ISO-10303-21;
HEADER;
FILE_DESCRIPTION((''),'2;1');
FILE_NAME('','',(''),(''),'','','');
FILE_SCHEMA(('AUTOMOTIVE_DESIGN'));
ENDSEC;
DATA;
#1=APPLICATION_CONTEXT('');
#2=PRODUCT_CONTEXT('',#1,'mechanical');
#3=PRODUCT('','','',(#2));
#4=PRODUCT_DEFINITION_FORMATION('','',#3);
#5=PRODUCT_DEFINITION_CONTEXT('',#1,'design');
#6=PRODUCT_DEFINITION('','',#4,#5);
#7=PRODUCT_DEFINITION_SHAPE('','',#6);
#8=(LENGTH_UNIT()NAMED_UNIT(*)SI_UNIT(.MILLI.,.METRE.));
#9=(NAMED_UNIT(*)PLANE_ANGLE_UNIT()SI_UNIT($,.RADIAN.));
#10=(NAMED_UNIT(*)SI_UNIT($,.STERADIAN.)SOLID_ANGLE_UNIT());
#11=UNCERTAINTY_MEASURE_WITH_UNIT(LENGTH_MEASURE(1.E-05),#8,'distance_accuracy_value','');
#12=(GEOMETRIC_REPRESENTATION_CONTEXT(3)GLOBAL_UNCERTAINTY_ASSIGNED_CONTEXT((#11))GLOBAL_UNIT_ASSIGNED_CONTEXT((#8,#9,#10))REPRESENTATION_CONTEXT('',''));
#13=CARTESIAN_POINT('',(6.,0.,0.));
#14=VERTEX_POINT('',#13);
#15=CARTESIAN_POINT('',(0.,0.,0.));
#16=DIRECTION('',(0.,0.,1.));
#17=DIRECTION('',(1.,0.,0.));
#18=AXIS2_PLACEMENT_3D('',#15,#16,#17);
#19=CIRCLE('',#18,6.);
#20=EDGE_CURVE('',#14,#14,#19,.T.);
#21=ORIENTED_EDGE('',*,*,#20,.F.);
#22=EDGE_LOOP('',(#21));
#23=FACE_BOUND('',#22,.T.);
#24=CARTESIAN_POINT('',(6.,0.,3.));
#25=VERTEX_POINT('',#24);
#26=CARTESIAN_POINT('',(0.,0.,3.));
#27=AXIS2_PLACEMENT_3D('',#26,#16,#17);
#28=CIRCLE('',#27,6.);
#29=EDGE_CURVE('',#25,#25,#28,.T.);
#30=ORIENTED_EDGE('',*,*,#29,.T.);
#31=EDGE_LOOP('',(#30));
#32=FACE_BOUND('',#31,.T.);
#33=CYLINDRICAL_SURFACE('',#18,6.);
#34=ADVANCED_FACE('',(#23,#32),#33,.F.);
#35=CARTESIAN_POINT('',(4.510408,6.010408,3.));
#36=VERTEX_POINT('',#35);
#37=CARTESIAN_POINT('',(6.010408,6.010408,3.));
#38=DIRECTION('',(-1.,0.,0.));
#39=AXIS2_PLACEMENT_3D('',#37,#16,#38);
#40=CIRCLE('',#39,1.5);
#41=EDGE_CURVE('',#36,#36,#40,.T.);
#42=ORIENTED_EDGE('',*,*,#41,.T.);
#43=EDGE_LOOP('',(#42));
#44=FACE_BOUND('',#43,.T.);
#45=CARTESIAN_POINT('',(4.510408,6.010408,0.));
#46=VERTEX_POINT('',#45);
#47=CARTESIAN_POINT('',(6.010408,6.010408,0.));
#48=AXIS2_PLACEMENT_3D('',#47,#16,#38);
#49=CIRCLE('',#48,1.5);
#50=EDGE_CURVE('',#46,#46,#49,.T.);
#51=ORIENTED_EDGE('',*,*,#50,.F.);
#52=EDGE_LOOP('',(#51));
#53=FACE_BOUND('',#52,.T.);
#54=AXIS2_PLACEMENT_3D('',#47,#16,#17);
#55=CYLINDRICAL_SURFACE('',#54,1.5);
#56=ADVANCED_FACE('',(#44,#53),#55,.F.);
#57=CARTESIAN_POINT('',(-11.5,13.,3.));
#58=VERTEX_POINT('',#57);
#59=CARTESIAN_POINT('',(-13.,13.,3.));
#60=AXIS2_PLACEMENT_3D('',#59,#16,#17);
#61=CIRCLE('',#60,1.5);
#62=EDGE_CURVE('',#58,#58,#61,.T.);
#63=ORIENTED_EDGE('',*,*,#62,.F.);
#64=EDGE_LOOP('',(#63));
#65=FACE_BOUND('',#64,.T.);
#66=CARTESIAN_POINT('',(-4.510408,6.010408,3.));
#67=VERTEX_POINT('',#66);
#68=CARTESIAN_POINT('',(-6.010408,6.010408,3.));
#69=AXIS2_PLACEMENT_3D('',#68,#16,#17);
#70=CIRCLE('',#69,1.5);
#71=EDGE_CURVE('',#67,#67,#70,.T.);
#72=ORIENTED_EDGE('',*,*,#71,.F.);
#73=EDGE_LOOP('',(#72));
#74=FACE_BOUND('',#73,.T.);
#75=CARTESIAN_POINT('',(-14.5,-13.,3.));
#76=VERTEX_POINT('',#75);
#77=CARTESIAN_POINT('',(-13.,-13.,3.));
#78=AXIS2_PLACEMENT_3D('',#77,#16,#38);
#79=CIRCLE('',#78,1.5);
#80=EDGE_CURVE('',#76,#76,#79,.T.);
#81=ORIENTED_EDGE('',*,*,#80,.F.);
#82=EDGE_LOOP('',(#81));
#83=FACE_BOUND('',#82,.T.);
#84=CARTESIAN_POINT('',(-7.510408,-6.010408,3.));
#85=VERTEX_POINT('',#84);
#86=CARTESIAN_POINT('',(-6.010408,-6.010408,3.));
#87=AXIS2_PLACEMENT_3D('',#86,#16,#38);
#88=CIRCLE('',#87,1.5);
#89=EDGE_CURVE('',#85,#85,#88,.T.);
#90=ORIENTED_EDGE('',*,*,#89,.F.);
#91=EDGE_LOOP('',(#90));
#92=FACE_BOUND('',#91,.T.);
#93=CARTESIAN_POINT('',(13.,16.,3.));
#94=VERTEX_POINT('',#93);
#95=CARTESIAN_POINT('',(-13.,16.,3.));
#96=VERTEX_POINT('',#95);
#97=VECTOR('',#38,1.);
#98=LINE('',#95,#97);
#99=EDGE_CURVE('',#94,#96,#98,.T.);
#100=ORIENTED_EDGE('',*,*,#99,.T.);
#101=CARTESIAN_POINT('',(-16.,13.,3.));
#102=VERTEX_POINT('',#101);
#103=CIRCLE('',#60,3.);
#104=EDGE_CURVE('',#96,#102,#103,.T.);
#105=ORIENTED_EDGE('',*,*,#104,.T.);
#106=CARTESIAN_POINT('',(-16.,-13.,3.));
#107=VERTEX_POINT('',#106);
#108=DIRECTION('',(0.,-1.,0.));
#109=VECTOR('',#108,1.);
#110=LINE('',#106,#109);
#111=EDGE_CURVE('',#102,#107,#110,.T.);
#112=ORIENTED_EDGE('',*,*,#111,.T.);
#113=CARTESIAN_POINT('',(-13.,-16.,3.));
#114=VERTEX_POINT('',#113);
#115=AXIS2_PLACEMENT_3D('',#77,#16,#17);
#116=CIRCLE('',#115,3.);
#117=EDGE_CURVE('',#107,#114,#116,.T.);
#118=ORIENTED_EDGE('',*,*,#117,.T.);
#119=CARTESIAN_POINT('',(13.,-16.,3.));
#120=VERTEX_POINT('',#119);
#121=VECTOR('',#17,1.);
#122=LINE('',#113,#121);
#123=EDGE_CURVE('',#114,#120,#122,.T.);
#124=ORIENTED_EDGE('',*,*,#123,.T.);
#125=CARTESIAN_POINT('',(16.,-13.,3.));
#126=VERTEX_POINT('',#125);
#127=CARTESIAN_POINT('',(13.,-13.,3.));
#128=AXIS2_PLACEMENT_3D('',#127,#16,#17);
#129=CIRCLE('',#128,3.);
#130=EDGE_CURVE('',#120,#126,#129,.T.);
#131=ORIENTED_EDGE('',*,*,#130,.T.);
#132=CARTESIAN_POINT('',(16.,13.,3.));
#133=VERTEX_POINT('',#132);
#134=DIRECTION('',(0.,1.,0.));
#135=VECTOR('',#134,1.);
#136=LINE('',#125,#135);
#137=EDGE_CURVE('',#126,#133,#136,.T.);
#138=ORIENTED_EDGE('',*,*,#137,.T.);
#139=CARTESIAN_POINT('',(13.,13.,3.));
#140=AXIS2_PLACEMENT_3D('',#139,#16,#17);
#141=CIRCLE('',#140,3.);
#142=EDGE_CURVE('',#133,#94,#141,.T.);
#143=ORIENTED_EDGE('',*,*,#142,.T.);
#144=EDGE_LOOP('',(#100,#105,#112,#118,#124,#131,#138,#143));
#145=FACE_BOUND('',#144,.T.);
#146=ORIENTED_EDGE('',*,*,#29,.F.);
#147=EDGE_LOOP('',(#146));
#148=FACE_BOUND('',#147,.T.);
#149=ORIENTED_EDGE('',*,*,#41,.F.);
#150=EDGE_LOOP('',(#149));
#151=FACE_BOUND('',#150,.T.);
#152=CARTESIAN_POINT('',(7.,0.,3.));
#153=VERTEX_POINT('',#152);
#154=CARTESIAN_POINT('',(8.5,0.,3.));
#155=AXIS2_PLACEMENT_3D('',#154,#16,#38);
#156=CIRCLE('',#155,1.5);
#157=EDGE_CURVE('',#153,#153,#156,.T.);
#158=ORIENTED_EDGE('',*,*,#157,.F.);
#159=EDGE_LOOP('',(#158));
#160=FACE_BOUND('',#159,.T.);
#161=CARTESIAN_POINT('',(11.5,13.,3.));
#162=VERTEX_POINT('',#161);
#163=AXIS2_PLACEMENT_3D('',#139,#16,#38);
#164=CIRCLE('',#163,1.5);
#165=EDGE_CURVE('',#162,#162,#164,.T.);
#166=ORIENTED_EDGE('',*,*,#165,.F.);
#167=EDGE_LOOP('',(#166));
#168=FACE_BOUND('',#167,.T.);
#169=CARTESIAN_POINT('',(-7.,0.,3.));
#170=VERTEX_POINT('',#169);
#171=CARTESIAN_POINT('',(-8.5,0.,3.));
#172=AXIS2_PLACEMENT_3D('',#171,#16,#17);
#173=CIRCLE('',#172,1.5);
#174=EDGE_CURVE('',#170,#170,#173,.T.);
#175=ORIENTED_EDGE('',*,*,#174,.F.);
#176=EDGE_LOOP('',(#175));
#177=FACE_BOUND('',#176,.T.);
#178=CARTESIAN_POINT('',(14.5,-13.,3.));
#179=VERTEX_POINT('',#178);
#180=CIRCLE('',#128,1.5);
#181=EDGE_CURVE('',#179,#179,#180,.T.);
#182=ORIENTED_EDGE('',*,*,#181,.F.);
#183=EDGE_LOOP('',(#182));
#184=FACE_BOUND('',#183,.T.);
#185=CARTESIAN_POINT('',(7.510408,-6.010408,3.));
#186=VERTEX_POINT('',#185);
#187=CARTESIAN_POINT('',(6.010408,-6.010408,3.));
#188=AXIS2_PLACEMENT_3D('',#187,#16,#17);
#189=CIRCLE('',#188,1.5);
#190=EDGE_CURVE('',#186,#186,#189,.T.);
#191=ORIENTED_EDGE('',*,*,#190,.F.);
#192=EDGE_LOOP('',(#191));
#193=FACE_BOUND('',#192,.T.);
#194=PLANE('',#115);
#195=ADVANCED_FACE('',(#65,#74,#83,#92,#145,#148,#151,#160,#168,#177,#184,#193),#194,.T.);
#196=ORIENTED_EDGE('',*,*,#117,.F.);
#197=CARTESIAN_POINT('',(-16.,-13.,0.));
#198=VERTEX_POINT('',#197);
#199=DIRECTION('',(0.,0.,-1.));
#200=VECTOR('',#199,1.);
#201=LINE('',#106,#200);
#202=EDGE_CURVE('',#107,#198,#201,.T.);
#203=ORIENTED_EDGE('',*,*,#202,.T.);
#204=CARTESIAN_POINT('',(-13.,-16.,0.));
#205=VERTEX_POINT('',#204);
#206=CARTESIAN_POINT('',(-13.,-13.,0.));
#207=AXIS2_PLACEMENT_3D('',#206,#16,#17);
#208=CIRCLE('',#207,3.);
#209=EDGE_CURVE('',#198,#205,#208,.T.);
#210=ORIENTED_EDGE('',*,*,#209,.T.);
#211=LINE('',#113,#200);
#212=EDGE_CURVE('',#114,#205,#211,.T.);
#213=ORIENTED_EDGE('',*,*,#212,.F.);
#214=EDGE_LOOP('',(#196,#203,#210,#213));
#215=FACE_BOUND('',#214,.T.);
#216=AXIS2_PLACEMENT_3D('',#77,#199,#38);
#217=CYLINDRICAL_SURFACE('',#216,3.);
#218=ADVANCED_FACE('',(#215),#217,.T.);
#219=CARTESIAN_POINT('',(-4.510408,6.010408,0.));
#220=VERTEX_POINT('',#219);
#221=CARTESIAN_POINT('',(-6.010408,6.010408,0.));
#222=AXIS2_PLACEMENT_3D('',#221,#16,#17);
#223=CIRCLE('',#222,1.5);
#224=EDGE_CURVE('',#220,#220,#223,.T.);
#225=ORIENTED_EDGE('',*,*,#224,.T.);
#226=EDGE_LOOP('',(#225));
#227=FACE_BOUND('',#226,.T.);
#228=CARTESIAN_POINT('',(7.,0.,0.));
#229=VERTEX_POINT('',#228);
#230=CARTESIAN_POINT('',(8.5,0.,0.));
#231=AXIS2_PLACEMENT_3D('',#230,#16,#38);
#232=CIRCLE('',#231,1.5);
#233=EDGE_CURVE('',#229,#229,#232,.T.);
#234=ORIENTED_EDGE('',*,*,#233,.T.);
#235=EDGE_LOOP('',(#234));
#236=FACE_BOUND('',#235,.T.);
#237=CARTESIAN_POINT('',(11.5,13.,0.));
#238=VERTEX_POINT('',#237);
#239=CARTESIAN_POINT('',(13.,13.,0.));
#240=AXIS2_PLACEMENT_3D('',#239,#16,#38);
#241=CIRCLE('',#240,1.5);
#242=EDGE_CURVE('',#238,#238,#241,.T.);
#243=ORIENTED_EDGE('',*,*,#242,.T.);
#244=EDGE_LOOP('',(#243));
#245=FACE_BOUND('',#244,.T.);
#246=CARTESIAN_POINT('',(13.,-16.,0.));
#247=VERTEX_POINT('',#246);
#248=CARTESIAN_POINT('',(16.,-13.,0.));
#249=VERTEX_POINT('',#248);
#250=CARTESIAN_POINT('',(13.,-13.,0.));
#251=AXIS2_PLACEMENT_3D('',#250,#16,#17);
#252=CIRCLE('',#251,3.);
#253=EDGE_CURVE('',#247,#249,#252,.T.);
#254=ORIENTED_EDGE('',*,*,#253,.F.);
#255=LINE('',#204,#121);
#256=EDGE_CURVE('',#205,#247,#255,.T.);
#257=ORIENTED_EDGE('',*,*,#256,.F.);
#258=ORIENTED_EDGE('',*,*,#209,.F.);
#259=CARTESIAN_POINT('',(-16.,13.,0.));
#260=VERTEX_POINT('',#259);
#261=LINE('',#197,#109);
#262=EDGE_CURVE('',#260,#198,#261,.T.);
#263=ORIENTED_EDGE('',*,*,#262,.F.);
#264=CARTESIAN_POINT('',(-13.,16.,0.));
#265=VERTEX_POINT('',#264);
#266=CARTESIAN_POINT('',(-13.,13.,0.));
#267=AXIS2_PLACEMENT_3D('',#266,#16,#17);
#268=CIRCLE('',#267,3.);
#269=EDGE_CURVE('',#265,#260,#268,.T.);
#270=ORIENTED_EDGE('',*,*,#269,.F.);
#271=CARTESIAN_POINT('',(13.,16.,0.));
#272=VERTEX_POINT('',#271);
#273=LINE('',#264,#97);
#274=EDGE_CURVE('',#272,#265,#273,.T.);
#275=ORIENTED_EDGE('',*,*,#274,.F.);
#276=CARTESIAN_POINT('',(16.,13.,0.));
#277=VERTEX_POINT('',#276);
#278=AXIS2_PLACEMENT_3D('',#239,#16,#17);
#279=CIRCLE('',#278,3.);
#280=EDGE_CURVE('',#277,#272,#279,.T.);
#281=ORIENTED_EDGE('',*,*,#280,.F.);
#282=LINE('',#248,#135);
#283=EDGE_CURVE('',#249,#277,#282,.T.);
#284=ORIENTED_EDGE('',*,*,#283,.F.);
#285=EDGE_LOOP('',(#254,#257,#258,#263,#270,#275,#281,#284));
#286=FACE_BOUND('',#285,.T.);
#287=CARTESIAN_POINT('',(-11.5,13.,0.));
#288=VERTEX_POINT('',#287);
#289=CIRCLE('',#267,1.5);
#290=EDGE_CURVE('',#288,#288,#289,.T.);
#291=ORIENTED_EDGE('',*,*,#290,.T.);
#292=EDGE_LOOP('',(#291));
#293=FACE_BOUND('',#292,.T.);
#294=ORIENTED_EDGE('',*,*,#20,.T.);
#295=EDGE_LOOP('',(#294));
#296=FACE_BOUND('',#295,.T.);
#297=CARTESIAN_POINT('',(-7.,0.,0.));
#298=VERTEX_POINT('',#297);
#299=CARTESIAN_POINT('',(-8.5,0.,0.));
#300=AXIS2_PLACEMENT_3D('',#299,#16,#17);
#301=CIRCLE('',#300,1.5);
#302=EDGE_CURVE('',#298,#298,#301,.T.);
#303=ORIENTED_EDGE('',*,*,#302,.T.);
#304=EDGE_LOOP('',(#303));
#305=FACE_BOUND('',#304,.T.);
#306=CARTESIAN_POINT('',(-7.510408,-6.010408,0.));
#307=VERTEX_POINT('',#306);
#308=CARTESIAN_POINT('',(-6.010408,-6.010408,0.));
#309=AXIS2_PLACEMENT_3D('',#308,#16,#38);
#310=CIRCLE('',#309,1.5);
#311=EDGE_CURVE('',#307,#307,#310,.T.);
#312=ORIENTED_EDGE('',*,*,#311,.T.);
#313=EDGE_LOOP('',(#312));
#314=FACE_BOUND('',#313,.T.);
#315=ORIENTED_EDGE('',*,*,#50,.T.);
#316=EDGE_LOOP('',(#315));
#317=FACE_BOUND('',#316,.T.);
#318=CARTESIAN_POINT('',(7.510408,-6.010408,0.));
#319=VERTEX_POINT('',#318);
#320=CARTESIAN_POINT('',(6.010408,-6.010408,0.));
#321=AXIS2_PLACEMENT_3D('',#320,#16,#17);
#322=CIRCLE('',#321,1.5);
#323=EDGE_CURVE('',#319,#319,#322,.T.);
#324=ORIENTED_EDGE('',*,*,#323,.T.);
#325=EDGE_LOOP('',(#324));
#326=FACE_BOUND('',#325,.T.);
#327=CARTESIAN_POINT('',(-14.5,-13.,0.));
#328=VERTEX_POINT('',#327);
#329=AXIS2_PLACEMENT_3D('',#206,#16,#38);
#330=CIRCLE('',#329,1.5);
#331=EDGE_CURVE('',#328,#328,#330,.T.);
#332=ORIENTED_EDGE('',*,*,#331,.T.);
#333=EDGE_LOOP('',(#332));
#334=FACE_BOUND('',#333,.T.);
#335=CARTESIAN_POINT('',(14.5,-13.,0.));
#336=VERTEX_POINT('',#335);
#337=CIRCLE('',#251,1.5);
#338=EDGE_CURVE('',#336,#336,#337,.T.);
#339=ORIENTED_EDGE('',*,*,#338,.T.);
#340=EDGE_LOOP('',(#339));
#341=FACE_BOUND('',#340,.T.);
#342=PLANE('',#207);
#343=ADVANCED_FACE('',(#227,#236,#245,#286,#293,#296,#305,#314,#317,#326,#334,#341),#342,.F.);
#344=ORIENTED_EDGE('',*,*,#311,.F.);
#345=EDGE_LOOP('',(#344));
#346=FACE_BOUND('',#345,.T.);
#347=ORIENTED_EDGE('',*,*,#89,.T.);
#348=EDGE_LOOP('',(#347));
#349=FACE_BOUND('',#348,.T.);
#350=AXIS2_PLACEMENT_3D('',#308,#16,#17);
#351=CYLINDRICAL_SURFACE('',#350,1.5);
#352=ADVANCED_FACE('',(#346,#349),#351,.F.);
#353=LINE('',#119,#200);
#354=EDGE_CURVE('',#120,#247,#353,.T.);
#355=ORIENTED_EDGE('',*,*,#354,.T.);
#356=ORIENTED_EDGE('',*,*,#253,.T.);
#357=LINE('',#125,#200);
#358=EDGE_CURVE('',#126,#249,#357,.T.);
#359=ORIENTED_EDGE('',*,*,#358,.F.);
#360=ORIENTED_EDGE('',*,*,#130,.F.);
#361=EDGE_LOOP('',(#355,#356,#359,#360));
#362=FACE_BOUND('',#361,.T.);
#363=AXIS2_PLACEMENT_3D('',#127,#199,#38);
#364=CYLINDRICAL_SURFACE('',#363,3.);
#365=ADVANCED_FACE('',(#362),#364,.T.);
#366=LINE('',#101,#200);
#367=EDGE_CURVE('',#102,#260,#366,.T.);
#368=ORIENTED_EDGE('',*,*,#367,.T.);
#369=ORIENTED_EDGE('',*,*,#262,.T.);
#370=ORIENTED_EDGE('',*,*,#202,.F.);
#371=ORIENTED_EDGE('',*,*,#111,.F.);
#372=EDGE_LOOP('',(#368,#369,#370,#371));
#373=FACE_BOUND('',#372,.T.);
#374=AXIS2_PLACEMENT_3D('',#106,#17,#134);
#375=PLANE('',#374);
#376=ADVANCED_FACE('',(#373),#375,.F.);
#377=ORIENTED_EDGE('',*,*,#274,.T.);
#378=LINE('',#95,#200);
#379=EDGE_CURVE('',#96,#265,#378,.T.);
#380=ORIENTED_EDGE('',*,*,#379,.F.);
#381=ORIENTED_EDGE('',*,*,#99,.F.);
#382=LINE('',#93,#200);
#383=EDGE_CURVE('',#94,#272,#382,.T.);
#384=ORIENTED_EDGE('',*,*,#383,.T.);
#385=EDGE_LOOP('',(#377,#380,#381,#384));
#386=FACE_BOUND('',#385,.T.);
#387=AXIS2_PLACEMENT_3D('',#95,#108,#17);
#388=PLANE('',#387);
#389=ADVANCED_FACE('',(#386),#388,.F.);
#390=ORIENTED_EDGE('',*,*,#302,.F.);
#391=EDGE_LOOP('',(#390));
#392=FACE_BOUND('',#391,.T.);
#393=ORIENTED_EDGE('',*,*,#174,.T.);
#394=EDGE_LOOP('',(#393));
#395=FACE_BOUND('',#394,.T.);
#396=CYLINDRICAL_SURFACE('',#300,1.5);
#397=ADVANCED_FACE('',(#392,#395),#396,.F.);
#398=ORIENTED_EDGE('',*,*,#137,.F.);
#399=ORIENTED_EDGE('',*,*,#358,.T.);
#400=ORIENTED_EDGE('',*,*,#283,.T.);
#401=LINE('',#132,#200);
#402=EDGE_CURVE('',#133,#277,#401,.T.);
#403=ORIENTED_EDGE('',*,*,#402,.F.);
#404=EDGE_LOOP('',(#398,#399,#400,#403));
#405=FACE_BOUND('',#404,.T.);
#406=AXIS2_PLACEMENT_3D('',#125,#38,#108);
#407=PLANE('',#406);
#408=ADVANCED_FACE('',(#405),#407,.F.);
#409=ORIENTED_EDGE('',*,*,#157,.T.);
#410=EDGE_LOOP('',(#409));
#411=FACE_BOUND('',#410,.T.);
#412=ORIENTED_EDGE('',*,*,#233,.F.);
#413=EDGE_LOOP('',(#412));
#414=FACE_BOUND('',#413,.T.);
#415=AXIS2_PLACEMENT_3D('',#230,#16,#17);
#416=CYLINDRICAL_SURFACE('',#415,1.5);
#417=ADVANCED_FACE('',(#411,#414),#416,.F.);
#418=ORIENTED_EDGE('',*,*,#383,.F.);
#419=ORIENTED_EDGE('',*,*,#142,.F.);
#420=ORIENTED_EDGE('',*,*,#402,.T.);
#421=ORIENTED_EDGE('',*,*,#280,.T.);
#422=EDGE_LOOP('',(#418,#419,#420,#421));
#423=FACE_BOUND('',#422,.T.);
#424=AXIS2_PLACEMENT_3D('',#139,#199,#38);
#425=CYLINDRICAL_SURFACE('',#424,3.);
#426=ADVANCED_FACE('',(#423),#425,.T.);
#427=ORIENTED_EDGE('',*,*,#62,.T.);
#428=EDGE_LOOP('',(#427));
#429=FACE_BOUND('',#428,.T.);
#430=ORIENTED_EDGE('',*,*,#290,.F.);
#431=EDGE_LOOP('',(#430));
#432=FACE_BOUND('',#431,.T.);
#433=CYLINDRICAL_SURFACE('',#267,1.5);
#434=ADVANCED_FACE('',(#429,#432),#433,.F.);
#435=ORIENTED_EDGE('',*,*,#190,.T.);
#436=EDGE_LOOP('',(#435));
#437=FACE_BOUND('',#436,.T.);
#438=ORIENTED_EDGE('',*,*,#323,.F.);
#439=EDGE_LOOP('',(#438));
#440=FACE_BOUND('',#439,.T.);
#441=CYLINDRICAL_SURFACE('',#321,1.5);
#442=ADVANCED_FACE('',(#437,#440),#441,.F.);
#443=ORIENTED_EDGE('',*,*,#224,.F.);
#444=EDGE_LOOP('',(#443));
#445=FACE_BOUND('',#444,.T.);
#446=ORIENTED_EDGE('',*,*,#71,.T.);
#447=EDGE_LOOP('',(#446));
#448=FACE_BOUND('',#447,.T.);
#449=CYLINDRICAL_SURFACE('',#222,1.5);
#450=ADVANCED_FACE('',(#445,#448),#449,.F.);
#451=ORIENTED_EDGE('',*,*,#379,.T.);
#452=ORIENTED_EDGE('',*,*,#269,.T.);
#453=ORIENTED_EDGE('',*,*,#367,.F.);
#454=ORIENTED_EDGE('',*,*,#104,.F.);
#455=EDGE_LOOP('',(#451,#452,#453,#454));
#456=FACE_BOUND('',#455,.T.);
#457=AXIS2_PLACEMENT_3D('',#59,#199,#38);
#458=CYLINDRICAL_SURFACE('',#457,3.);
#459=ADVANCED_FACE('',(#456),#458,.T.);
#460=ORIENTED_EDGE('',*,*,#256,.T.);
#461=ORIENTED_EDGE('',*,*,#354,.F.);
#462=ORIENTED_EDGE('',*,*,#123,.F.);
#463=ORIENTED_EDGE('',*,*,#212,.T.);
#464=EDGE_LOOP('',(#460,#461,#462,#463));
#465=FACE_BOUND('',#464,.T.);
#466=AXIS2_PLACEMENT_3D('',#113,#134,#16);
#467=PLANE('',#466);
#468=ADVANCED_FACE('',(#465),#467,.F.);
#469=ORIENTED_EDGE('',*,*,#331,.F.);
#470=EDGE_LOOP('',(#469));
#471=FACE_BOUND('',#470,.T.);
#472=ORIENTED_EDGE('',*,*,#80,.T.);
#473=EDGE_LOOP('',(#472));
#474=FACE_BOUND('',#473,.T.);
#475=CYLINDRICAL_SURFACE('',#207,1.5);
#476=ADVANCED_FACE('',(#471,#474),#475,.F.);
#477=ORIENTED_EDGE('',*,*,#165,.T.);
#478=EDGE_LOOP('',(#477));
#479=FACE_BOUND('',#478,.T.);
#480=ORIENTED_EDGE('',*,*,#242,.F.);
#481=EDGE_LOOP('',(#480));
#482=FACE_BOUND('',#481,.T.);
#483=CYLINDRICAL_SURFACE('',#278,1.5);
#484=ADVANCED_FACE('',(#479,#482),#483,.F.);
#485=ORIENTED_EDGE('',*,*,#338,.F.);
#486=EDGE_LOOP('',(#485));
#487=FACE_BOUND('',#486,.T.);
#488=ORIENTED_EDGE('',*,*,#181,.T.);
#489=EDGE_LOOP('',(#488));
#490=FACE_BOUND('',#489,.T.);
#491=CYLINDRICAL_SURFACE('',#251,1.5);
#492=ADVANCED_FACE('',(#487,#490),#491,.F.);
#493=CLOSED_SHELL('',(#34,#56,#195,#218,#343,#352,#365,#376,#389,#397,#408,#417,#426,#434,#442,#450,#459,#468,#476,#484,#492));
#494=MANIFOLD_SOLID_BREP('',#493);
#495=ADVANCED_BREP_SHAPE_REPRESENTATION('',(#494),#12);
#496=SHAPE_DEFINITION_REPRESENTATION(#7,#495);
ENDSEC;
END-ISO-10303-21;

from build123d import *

# Parameters (mm, degrees)
BOSS_EXTRU_1_DEPTH      = 3
ESQUISSE2_R             = 6
ESQUISSE2_R_2           = 1.5
ENL_V_MAT_EXTRU_1_DEPTH = 23.825424421
ESQUISSE3_R             = 1.5
ENL_V_MAT_EXTRU_2_DEPTH = 23.825424421


with BuildPart() as part:
    # Esquisse1 → Boss.-Extru.1 (new body)
    with BuildSketch(Plane.XY):
        with BuildLine():
            Line((-13, -16), (13, -16))
            ThreePointArc((13, -16), (15.121320344, -15.121320344), (16, -13))
            Line((16, -13), (16, 13))
            ThreePointArc((16, 13), (15.121320344, 15.121320344), (13, 16))
            Line((13, 16), (-13, 16))
            ThreePointArc((-13, 16), (-15.121320344, 15.121320344), (-16, 13))
            Line((-16, 13), (-16, -13))
            ThreePointArc((-16, -13), (-15.121320344, -15.121320344), (-13, -16))
        make_face()
    extrude(amount=BOSS_EXTRU_1_DEPTH)

    # Esquisse2 → Enlèv. mat.-Extru.1 (cut, through all)
    with BuildSketch(Plane.XY.offset(3)):
        Circle(ESQUISSE2_R)
        with Locations((-8.5, 0)):
            Circle(ESQUISSE2_R_2)
        with Locations((-6.01040764, 6.01040764)):
            Circle(ESQUISSE2_R_2)
        with Locations(Location((-6.01040764, -6.01040764, 0), (0, 0, 180))):
            Circle(ESQUISSE2_R_2)
        with Locations((6.01040764, -6.01040764)):
            Circle(ESQUISSE2_R_2)
        with Locations(Location((8.5, 0, 0), (0, 0, 180))):
            Circle(ESQUISSE2_R_2)
        with Locations(Location((6.01040764, 6.01040764, 0), (0, 0, 180))):
            Circle(ESQUISSE2_R_2)
    extrude(amount=-ENL_V_MAT_EXTRU_1_DEPTH, mode=Mode.SUBTRACT)

    # Esquisse3 → Enlèv. mat.-Extru.2 (cut, through all)
    with BuildSketch(Plane.XY.offset(3)):
        with Locations((-13, 13)):
            Circle(ESQUISSE3_R)
        with Locations(Location((13, 13, 0), (0, 0, 180))):
            Circle(ESQUISSE3_R)
        with Locations((13, -13)):
            Circle(ESQUISSE3_R)
        with Locations(Location((-13, -13, 0), (0, 0, 180))):
            Circle(ESQUISSE3_R)
    extrude(amount=-ENL_V_MAT_EXTRU_2_DEPTH, mode=Mode.SUBTRACT)


solid = part.part
